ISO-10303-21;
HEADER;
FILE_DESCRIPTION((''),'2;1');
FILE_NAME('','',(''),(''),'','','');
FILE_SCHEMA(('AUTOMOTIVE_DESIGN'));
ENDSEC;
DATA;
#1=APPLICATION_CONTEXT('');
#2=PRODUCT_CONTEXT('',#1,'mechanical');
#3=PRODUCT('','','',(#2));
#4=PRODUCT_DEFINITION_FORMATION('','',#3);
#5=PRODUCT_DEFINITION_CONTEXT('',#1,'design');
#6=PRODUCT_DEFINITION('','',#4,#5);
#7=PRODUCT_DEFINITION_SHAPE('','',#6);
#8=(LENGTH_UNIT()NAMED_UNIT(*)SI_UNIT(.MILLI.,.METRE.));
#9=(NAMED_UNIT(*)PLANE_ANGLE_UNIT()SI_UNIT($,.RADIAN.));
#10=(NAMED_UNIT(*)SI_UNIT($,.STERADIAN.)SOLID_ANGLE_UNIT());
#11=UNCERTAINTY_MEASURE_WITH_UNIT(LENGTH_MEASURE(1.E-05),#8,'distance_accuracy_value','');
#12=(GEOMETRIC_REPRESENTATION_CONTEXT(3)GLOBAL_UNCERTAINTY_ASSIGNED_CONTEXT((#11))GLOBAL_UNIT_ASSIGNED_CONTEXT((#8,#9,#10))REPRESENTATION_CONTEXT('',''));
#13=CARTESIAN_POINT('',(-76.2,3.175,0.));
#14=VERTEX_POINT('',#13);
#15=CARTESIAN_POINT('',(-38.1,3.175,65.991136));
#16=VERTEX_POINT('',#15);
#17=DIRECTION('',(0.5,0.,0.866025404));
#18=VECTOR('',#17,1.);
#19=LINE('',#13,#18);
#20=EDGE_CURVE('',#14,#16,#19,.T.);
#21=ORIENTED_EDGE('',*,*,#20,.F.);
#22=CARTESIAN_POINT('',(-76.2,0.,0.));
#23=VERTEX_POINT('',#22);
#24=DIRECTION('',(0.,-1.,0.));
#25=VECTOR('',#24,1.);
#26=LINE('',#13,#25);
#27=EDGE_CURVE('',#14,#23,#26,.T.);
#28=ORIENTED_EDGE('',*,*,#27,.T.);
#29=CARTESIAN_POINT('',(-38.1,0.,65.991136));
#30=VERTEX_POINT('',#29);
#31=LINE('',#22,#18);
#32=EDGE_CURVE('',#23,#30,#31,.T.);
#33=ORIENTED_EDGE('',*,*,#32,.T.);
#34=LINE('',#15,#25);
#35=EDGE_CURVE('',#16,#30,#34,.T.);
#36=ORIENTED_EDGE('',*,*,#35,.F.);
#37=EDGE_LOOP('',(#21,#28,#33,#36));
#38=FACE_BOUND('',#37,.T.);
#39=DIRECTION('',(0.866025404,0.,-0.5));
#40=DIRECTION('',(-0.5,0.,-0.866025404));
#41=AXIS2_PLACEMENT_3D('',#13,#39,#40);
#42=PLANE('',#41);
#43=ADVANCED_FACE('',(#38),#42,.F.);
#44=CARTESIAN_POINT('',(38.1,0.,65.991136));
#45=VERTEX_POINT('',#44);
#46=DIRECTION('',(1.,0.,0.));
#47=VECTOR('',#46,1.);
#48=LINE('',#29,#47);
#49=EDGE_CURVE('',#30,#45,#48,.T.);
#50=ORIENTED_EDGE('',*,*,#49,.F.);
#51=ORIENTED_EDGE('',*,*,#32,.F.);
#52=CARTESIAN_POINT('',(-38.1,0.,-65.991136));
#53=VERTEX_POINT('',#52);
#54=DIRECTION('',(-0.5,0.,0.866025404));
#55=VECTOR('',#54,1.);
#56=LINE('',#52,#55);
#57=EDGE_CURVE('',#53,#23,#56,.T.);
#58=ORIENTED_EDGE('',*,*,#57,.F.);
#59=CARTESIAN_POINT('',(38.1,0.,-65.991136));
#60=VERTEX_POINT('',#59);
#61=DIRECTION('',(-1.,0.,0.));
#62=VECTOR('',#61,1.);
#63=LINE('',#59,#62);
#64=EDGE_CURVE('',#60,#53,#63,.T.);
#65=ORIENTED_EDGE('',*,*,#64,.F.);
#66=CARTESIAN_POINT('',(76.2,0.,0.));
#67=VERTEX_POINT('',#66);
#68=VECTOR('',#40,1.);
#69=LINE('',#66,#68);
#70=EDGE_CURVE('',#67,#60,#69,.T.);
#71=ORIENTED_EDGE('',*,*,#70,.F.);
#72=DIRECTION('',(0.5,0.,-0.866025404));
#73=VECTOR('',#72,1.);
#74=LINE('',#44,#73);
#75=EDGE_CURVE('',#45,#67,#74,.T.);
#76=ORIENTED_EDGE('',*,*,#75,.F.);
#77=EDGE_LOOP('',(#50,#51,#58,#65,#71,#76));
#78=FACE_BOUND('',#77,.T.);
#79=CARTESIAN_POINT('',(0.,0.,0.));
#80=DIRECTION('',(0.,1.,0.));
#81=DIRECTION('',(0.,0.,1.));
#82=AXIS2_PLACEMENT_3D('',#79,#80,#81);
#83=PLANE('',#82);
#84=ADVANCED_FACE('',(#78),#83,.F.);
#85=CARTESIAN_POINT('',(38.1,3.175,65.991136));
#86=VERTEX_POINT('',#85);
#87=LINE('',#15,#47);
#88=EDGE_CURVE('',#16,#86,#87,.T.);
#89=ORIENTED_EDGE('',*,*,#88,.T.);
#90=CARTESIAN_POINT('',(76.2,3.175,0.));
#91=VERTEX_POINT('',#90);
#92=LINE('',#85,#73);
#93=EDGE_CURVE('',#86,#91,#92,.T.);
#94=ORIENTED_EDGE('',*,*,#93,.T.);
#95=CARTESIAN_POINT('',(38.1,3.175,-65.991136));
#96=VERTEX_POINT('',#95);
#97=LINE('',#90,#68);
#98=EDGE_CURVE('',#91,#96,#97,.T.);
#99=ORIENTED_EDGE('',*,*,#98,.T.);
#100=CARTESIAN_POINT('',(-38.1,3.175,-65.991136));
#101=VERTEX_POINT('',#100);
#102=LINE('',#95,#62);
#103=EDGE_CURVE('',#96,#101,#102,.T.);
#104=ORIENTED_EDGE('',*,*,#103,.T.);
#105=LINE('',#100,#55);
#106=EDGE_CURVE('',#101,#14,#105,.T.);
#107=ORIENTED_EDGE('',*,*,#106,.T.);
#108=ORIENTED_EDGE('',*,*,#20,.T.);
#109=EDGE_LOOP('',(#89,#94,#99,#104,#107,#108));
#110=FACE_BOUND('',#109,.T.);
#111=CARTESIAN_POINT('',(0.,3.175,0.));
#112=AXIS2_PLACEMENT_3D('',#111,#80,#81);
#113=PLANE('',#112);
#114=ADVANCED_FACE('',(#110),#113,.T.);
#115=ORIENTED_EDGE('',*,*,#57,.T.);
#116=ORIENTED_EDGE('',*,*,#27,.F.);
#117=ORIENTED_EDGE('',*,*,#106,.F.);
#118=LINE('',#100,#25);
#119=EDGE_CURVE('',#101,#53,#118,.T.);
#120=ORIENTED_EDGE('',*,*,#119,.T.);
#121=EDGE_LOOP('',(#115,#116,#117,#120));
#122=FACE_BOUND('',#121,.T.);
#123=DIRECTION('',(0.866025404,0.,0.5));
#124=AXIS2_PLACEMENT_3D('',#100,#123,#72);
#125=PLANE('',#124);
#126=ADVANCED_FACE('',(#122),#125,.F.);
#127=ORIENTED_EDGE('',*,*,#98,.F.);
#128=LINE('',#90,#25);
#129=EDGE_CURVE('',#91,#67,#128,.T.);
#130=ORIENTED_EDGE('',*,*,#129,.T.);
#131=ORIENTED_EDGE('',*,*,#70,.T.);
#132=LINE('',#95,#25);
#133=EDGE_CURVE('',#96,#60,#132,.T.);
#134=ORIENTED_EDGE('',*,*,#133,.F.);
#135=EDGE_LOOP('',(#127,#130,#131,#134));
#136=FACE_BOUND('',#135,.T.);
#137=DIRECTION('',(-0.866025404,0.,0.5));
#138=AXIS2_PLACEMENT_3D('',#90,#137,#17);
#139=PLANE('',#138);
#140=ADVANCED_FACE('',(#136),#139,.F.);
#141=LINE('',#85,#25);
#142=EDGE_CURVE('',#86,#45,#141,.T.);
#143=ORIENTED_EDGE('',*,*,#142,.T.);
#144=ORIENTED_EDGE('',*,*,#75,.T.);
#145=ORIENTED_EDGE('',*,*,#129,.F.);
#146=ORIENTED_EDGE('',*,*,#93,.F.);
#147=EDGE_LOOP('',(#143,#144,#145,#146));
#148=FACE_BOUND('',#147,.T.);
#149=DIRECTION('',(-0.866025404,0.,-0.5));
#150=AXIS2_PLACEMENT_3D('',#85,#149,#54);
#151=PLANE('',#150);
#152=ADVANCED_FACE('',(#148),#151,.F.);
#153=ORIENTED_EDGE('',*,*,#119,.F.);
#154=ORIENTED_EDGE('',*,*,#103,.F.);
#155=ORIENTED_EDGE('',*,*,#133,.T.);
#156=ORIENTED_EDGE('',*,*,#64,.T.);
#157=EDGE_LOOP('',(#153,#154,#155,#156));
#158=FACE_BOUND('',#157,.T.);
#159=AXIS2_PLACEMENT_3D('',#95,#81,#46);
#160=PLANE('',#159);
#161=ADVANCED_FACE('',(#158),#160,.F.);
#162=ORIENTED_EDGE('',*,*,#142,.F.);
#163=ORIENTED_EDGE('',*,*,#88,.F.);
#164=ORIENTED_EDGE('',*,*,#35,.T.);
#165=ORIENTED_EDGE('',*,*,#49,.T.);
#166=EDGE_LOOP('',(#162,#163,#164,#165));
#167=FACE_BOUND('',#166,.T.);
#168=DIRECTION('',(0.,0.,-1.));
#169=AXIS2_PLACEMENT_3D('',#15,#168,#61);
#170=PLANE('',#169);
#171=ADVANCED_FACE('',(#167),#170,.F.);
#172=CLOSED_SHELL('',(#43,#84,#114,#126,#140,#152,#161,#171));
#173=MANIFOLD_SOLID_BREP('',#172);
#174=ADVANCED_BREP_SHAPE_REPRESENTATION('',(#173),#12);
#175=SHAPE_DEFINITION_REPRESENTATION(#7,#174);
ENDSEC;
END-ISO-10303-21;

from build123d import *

# Parameters (mm, degrees)
BOSS_EXTRUDE1_DEPTH = 3.175


with BuildPart() as part:
    # Sketch1 → Boss-Extrude1 (new body)
    with BuildSketch(Plane(origin=(0, 0, 0), x_dir=(1, 0, 0), z_dir=(0, 1, 0))):
        Polygon((76.2, 0), (38.1, 65.991135768), (-38.1, 65.991135768), (-76.2, 0), (-38.1, -65.991135768), (38.1, -65.991135768), align=None)
    extrude(amount=BOSS_EXTRUDE1_DEPTH)


solid = part.part
